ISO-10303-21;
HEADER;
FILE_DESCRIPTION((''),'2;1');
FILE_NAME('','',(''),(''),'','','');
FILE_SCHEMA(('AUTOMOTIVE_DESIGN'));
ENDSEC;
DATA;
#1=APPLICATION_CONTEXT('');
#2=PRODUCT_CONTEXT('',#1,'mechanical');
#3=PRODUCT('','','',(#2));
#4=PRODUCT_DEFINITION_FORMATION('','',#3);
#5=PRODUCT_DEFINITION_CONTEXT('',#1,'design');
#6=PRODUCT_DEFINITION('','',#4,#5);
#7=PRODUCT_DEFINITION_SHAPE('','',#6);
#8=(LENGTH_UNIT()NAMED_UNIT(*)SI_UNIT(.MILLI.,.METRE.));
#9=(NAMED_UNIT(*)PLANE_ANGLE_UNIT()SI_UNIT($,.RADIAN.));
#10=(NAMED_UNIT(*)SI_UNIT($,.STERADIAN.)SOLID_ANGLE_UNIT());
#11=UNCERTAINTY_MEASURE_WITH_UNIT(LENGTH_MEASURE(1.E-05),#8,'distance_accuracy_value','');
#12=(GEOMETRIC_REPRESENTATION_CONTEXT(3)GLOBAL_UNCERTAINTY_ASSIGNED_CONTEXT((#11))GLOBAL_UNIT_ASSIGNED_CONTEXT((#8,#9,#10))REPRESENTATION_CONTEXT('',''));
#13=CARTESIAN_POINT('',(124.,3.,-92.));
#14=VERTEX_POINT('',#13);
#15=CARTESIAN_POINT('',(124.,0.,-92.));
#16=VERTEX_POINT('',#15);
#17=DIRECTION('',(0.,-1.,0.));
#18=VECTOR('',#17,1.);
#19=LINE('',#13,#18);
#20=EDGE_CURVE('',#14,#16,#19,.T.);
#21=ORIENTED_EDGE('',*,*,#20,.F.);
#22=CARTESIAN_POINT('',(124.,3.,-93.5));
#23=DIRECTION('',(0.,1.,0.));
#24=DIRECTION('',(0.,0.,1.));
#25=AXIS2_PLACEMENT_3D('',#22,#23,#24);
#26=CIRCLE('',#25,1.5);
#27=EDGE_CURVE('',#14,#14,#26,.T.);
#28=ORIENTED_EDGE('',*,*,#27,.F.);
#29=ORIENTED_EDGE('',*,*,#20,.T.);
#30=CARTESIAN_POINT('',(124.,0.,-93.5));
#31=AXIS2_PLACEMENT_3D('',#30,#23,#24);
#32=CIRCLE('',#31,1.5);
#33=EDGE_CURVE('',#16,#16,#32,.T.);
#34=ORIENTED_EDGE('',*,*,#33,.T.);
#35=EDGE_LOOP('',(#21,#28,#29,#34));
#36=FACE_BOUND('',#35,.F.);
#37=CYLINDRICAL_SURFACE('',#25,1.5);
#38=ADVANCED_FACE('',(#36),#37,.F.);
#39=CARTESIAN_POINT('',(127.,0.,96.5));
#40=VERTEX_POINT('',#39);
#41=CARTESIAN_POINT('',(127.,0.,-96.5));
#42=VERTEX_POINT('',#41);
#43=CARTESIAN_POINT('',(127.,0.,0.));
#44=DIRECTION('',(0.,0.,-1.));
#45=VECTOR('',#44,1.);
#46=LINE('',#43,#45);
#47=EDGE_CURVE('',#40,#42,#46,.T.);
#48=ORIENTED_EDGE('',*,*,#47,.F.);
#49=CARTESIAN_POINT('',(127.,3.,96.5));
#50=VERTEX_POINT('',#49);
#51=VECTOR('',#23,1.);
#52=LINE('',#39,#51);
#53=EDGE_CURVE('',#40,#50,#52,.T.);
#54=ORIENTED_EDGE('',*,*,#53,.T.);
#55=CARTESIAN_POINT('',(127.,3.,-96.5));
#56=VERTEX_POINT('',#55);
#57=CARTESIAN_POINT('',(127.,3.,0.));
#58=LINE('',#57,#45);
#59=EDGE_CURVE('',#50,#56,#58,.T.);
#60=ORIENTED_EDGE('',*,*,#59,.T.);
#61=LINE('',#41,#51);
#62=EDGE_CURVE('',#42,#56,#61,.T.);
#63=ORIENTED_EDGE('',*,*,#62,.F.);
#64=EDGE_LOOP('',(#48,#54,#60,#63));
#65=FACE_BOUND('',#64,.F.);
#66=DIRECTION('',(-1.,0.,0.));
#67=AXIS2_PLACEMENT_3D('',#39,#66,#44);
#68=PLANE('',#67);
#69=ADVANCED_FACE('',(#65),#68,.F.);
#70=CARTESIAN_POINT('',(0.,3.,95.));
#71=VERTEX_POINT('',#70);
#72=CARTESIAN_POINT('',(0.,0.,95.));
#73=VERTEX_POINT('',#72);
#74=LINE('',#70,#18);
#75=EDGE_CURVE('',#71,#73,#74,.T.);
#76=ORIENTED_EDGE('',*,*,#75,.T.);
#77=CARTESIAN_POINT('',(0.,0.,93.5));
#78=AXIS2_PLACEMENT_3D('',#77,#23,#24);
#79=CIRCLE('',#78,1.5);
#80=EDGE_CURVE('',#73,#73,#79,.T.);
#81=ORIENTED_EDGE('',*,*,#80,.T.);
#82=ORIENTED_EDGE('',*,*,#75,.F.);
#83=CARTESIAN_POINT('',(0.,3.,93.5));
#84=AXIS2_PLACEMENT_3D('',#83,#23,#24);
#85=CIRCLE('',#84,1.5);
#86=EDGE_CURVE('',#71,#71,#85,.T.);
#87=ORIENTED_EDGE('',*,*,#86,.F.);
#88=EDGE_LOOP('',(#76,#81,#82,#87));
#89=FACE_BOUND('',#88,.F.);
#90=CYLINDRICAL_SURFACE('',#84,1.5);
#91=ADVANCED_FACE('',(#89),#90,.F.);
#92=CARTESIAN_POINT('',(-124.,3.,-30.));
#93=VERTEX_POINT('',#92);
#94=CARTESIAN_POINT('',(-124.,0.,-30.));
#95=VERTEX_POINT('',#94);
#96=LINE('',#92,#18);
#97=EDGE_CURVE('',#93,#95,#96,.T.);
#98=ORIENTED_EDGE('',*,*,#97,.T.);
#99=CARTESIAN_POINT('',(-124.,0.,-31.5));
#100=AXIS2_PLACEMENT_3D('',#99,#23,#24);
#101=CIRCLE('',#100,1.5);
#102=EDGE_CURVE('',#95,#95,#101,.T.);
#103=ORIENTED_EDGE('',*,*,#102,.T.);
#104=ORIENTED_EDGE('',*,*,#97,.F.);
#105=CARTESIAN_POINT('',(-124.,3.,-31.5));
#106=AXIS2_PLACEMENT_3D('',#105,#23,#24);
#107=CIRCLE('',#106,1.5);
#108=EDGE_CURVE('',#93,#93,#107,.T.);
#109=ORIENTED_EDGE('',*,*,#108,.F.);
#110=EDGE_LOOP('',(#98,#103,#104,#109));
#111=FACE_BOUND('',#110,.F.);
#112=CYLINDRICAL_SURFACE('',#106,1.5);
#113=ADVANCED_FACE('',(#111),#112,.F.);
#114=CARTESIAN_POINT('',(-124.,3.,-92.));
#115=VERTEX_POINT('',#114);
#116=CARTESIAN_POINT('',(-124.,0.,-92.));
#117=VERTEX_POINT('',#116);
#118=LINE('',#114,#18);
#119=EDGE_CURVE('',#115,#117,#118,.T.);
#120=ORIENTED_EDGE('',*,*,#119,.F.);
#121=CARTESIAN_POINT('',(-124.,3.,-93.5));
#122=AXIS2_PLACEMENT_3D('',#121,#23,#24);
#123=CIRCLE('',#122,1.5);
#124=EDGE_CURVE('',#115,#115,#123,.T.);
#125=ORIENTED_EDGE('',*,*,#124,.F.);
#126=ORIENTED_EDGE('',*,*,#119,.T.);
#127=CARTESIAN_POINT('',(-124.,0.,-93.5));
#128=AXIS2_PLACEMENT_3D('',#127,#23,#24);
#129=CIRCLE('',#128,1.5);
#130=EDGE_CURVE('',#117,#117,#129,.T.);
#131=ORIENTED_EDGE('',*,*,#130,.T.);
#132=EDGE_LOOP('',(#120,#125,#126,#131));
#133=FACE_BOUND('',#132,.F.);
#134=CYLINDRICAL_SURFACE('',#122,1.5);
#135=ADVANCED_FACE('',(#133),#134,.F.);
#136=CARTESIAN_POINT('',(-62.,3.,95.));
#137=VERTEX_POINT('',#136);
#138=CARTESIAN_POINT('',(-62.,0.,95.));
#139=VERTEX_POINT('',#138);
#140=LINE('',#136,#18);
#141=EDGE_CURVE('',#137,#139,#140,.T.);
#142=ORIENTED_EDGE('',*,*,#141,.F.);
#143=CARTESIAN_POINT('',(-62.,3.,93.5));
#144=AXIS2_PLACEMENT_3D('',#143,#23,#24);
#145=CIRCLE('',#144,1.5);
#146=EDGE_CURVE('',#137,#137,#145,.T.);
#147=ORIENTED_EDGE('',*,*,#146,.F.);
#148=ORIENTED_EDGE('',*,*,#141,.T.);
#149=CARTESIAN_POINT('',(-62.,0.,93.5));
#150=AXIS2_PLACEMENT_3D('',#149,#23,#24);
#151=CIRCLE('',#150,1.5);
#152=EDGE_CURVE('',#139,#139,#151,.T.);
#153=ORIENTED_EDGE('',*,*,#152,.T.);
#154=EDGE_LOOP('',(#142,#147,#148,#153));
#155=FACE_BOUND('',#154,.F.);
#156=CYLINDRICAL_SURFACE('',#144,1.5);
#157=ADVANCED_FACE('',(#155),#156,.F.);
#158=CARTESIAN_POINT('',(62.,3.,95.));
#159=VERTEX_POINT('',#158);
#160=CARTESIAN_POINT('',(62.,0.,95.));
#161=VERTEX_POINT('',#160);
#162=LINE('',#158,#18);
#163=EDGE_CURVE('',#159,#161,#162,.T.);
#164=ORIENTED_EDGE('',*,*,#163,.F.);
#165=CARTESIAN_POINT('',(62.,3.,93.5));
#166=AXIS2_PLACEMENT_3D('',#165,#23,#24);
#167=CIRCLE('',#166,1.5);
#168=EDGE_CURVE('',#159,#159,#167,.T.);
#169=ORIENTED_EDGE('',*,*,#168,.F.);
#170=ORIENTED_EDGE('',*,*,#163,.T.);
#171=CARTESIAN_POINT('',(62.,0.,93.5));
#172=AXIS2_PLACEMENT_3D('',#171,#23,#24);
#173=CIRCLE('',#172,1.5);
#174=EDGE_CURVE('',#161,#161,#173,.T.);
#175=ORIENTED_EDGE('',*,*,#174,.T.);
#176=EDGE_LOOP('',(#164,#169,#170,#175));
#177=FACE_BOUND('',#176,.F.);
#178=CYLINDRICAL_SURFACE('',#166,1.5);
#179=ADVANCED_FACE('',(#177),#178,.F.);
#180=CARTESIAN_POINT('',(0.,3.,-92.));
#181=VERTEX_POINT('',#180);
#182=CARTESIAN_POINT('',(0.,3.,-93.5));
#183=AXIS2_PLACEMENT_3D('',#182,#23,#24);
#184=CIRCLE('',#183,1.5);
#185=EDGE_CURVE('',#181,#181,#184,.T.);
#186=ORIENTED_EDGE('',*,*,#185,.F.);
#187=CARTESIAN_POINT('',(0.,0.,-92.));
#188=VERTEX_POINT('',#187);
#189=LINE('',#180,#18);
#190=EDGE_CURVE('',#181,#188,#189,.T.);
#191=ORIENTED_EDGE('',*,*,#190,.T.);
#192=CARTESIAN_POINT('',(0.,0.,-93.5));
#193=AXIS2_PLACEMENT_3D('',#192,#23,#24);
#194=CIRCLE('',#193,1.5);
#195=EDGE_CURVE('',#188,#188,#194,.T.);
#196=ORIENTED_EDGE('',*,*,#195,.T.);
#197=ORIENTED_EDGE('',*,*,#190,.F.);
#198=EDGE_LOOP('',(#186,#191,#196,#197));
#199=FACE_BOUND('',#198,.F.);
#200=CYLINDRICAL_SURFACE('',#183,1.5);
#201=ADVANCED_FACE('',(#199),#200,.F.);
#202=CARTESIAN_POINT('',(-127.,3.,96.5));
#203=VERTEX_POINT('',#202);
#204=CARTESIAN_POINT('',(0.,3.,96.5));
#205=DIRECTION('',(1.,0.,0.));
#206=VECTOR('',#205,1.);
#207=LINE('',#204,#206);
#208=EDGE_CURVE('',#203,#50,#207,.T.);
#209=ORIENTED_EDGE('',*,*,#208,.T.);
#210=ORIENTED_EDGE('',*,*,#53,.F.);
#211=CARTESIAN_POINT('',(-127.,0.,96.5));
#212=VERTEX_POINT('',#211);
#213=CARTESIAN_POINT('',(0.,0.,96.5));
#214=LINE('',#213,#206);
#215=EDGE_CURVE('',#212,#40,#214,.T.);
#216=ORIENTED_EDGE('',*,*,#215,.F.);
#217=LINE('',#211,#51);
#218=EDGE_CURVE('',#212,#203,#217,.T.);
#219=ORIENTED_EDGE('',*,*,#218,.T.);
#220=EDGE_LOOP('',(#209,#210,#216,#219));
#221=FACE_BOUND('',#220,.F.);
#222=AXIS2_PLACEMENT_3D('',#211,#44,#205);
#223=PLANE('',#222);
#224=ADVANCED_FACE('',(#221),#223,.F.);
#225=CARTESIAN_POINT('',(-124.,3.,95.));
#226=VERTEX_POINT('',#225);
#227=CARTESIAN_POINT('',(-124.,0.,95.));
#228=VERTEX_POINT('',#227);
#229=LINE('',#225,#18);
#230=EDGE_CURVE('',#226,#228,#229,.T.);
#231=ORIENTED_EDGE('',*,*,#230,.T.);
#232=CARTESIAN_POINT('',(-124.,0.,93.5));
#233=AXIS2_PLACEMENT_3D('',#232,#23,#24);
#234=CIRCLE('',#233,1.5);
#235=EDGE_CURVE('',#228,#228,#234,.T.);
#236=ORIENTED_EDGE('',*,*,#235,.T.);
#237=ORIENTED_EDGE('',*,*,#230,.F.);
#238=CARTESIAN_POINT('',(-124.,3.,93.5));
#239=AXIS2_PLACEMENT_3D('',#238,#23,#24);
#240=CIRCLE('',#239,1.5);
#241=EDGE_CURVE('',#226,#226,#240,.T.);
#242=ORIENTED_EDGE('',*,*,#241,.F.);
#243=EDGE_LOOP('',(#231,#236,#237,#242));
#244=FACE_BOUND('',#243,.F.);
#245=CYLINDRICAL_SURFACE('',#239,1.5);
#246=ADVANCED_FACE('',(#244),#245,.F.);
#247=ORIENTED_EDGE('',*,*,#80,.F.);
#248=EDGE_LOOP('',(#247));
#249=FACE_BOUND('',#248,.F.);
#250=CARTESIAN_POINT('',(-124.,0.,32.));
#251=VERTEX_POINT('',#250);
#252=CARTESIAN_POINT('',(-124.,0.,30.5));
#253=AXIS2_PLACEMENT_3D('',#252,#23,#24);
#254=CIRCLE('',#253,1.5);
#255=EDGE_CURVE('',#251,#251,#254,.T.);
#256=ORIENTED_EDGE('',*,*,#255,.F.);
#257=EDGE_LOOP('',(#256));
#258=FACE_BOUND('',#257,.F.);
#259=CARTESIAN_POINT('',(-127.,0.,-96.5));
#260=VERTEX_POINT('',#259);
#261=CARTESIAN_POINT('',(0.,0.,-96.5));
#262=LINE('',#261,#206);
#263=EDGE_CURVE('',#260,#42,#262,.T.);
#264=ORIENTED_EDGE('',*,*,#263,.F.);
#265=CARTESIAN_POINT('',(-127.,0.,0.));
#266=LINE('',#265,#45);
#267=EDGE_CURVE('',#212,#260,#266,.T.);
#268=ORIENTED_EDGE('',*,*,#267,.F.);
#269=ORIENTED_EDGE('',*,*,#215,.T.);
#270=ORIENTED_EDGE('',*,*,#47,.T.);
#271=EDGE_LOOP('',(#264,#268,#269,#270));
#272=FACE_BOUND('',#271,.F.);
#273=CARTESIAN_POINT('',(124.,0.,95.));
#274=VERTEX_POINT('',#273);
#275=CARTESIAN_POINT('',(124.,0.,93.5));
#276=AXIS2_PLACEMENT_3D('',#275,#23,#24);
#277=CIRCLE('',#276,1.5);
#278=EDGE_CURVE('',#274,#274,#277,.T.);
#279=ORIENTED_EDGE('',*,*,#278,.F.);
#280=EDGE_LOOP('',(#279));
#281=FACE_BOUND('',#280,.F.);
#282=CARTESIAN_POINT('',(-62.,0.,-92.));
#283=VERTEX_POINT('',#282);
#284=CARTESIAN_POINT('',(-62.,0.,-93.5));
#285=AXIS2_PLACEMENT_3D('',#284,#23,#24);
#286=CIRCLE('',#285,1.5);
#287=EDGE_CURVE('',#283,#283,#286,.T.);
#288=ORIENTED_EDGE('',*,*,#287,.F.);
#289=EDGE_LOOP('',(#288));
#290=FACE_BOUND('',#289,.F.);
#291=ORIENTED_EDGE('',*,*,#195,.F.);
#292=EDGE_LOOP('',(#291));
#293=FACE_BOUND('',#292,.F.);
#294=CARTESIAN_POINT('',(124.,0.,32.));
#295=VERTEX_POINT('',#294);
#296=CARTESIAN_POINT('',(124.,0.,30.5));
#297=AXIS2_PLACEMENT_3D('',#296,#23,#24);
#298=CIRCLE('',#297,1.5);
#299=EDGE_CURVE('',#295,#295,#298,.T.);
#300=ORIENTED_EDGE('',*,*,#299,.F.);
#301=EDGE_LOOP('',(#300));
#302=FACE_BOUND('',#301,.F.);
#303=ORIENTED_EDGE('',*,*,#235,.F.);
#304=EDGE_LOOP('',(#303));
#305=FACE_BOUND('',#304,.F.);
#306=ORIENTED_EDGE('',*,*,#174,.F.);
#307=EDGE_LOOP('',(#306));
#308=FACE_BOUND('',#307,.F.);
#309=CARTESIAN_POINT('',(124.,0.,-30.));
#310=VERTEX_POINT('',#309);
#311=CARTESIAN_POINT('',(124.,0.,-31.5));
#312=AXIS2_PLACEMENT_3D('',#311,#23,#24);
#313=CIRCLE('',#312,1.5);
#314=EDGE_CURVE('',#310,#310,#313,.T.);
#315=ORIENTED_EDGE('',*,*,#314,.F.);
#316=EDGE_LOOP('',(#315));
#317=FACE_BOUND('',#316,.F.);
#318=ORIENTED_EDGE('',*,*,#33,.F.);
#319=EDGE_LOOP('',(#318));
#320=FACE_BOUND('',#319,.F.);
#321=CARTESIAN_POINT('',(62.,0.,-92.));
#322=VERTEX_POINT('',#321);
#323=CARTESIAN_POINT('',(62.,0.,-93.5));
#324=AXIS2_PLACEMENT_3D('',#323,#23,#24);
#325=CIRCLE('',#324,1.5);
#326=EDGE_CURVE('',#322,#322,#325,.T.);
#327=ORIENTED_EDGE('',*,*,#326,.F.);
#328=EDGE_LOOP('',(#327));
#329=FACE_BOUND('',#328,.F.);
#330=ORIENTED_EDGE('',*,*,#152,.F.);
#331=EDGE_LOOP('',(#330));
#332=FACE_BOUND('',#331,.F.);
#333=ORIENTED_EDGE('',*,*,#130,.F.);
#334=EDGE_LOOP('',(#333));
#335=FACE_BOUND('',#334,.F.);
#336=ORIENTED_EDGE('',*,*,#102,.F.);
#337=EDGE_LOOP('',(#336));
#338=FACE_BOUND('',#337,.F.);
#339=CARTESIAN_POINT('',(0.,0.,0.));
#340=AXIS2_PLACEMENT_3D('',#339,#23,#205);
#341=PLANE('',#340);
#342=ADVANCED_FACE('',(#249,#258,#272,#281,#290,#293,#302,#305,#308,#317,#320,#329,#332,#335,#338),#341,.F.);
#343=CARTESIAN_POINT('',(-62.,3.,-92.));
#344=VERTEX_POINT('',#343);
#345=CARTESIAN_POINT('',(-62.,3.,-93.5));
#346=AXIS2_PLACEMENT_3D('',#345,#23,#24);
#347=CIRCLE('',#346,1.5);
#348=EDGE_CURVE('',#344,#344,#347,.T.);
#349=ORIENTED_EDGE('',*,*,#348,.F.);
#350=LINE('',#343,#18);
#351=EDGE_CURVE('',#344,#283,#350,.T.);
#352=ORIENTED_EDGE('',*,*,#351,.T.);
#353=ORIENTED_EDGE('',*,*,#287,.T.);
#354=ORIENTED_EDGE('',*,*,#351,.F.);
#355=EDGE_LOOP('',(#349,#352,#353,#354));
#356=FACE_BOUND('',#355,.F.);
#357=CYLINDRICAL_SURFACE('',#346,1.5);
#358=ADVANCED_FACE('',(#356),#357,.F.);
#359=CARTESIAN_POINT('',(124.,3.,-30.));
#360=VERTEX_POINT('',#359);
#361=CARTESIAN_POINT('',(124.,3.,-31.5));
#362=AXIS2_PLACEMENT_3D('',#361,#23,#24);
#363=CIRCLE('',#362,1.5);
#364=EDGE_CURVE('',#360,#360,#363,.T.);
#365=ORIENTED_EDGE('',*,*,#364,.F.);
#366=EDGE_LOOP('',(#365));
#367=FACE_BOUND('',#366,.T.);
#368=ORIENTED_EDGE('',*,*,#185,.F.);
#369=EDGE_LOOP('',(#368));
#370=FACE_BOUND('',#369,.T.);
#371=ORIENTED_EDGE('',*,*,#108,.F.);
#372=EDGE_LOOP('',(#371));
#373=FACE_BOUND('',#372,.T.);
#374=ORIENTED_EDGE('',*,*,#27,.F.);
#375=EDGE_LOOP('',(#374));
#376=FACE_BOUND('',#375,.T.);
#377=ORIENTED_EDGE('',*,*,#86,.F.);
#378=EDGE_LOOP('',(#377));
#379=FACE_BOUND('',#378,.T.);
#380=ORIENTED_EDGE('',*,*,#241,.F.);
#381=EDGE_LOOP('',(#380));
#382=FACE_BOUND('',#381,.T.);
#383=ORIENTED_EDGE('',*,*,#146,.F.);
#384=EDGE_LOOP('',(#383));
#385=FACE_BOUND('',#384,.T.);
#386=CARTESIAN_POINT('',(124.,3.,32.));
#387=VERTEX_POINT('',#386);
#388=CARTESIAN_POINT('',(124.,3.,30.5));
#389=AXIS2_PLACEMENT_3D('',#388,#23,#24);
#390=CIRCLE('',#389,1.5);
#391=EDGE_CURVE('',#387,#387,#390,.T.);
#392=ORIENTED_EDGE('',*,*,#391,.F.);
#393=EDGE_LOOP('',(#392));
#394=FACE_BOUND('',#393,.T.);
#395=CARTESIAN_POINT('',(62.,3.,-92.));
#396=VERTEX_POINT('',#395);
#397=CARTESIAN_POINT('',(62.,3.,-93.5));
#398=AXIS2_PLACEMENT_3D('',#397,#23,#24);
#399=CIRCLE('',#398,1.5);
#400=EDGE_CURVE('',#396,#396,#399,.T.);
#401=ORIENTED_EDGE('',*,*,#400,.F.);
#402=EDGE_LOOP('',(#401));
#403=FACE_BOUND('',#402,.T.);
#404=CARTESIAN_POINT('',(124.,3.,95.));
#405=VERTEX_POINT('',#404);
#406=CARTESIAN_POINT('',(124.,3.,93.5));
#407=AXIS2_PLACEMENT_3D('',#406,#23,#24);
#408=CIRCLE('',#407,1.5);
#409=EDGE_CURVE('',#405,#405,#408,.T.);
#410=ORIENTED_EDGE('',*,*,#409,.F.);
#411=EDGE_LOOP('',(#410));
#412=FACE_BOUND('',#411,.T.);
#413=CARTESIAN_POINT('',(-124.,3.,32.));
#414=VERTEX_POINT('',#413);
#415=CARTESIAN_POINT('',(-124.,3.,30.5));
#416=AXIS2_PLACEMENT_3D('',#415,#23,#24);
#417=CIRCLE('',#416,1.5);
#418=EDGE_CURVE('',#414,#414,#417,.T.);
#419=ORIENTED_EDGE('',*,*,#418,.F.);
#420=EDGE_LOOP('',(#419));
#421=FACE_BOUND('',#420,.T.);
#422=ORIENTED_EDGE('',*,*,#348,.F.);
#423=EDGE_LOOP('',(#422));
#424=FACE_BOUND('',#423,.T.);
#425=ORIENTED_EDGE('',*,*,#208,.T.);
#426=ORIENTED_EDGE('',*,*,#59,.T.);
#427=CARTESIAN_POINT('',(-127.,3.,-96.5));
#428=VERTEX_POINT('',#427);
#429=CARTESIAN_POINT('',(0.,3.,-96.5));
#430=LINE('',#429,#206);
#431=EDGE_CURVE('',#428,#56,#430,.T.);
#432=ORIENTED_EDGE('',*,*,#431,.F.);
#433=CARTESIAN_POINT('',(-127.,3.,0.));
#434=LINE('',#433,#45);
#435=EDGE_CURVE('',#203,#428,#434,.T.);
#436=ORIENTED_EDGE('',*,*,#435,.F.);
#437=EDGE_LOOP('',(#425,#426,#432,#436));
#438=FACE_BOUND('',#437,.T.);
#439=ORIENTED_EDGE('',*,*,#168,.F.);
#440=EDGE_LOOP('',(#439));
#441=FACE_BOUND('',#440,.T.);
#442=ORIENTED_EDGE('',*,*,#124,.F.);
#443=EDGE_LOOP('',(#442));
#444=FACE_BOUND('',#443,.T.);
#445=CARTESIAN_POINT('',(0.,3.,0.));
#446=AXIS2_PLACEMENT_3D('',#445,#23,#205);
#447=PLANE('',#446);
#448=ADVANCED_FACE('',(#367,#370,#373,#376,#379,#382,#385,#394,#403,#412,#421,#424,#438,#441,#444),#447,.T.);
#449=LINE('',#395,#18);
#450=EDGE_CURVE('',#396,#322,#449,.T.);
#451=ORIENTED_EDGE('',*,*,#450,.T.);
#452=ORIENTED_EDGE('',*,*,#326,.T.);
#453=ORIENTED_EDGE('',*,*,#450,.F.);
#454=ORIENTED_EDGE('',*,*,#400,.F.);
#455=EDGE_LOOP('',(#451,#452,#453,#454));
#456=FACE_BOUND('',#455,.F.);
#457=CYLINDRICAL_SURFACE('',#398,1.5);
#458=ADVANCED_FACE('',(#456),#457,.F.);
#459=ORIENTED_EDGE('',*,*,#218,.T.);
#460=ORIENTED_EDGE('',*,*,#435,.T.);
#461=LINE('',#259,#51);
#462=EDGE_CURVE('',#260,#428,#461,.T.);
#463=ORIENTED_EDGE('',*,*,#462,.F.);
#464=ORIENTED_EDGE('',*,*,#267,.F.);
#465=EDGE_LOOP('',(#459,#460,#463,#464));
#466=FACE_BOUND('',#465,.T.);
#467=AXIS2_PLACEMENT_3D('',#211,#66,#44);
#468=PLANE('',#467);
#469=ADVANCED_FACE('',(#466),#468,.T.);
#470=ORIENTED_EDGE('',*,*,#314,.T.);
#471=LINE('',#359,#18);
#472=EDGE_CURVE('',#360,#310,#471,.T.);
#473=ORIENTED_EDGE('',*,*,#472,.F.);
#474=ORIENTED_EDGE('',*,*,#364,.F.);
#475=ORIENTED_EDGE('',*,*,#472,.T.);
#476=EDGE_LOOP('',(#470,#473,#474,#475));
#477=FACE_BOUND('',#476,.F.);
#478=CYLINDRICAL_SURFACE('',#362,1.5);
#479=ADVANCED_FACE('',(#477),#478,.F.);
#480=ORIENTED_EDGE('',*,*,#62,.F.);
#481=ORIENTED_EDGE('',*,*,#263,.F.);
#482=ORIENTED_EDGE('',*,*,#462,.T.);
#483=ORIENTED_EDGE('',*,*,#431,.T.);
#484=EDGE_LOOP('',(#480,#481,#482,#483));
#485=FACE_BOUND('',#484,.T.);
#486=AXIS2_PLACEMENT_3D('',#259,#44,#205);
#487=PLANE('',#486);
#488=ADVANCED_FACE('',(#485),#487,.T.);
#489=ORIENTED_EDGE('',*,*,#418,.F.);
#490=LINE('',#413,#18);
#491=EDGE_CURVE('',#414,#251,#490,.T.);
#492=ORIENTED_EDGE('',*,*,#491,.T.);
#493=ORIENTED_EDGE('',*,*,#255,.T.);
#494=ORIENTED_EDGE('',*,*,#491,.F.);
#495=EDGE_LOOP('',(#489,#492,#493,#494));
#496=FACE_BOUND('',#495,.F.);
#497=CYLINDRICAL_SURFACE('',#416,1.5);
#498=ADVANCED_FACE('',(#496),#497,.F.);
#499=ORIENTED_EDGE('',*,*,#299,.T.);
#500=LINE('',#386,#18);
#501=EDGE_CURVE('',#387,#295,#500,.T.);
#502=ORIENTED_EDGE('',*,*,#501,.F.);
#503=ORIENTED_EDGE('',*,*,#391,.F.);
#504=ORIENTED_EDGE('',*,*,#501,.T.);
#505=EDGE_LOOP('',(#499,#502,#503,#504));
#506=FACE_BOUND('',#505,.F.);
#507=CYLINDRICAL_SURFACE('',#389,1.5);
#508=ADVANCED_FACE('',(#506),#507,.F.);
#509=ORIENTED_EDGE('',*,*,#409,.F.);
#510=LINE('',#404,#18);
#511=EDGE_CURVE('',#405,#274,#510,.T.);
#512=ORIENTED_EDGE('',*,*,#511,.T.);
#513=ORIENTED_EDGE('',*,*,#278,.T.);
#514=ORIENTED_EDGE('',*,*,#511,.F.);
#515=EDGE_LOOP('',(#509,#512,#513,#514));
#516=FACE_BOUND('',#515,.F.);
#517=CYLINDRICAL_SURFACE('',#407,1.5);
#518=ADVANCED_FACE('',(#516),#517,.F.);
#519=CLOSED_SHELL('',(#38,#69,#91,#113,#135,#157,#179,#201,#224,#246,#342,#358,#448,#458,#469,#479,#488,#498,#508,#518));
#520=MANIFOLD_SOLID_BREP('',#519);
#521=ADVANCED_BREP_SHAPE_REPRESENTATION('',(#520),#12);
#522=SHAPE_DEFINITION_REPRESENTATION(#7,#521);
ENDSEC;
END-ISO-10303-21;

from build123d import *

# Parameters (mm, degrees)
SKETCH1_W            = 254
SKETCH1_H            = 193
BOSS_EXTRUDE1_DEPTH  = 3
CUT_EXTRUDE1_REACH   = 161.531
SKETCH2_R            = 1.5
LPATTERN1_COUNT      = 5
LPATTERN1_PITCH      = 62
LPATTERN1_COUNT_DIR2 = 2
LPATTERN1_PITCH_DIR2 = 187
LPATTERN2_COUNT      = 3
LPATTERN2_PITCH      = 62
LPATTERN2_COUNT_DIR2 = 2
LPATTERN2_PITCH_DIR2 = 248


with BuildPart() as part:
    # Sketch1 → Boss-Extrude1 (new body)
    with BuildSketch(Plane(origin=(0, 0, 0), x_dir=(1, 0, 0), z_dir=(0, 1, 0))):
        Rectangle(SKETCH1_W, SKETCH1_H)
    extrude(amount=BOSS_EXTRUDE1_DEPTH)

    # Sketch2 → Cut-Extrude1 (cut, up to next)
    with BuildSketch(Plane(origin=(0, 3, 0), x_dir=(1, 0, 0), z_dir=(0, 1, 0)), mode=Mode.PRIVATE) as cut_extrude1_sk1:
        with Locations(Location((-124, 93.5, 0), (0, 0, 270))):
            Circle(SKETCH2_R)
    cut_extrude1_tool1 = extrude(cut_extrude1_sk1.sketch, amount=-CUT_EXTRUDE1_REACH, mode=Mode.PRIVATE) & part.part
    cut_extrude1 = cut_extrude1_tool1.solids().sort_by_distance((-124, 3, -93.5))[0]
    add(cut_extrude1, mode=Mode.SUBTRACT)

    # LPattern1: Cut-Extrude1 5 × 2
    with Locations(*[(i * LPATTERN1_PITCH, 0, j * LPATTERN1_PITCH_DIR2) for i in range(LPATTERN1_COUNT) for j in range(LPATTERN1_COUNT_DIR2) if (i, j) != (0, 0)]):
        add(cut_extrude1, mode=Mode.SUBTRACT)

    # LPattern2: Cut-Extrude1 3 × 2
    with Locations(*[(j * LPATTERN2_PITCH_DIR2, 0, i * LPATTERN2_PITCH) for i in range(LPATTERN2_COUNT) for j in range(LPATTERN2_COUNT_DIR2) if (i, j) != (0, 0)]):
        add(cut_extrude1, mode=Mode.SUBTRACT)


solid = part.part
